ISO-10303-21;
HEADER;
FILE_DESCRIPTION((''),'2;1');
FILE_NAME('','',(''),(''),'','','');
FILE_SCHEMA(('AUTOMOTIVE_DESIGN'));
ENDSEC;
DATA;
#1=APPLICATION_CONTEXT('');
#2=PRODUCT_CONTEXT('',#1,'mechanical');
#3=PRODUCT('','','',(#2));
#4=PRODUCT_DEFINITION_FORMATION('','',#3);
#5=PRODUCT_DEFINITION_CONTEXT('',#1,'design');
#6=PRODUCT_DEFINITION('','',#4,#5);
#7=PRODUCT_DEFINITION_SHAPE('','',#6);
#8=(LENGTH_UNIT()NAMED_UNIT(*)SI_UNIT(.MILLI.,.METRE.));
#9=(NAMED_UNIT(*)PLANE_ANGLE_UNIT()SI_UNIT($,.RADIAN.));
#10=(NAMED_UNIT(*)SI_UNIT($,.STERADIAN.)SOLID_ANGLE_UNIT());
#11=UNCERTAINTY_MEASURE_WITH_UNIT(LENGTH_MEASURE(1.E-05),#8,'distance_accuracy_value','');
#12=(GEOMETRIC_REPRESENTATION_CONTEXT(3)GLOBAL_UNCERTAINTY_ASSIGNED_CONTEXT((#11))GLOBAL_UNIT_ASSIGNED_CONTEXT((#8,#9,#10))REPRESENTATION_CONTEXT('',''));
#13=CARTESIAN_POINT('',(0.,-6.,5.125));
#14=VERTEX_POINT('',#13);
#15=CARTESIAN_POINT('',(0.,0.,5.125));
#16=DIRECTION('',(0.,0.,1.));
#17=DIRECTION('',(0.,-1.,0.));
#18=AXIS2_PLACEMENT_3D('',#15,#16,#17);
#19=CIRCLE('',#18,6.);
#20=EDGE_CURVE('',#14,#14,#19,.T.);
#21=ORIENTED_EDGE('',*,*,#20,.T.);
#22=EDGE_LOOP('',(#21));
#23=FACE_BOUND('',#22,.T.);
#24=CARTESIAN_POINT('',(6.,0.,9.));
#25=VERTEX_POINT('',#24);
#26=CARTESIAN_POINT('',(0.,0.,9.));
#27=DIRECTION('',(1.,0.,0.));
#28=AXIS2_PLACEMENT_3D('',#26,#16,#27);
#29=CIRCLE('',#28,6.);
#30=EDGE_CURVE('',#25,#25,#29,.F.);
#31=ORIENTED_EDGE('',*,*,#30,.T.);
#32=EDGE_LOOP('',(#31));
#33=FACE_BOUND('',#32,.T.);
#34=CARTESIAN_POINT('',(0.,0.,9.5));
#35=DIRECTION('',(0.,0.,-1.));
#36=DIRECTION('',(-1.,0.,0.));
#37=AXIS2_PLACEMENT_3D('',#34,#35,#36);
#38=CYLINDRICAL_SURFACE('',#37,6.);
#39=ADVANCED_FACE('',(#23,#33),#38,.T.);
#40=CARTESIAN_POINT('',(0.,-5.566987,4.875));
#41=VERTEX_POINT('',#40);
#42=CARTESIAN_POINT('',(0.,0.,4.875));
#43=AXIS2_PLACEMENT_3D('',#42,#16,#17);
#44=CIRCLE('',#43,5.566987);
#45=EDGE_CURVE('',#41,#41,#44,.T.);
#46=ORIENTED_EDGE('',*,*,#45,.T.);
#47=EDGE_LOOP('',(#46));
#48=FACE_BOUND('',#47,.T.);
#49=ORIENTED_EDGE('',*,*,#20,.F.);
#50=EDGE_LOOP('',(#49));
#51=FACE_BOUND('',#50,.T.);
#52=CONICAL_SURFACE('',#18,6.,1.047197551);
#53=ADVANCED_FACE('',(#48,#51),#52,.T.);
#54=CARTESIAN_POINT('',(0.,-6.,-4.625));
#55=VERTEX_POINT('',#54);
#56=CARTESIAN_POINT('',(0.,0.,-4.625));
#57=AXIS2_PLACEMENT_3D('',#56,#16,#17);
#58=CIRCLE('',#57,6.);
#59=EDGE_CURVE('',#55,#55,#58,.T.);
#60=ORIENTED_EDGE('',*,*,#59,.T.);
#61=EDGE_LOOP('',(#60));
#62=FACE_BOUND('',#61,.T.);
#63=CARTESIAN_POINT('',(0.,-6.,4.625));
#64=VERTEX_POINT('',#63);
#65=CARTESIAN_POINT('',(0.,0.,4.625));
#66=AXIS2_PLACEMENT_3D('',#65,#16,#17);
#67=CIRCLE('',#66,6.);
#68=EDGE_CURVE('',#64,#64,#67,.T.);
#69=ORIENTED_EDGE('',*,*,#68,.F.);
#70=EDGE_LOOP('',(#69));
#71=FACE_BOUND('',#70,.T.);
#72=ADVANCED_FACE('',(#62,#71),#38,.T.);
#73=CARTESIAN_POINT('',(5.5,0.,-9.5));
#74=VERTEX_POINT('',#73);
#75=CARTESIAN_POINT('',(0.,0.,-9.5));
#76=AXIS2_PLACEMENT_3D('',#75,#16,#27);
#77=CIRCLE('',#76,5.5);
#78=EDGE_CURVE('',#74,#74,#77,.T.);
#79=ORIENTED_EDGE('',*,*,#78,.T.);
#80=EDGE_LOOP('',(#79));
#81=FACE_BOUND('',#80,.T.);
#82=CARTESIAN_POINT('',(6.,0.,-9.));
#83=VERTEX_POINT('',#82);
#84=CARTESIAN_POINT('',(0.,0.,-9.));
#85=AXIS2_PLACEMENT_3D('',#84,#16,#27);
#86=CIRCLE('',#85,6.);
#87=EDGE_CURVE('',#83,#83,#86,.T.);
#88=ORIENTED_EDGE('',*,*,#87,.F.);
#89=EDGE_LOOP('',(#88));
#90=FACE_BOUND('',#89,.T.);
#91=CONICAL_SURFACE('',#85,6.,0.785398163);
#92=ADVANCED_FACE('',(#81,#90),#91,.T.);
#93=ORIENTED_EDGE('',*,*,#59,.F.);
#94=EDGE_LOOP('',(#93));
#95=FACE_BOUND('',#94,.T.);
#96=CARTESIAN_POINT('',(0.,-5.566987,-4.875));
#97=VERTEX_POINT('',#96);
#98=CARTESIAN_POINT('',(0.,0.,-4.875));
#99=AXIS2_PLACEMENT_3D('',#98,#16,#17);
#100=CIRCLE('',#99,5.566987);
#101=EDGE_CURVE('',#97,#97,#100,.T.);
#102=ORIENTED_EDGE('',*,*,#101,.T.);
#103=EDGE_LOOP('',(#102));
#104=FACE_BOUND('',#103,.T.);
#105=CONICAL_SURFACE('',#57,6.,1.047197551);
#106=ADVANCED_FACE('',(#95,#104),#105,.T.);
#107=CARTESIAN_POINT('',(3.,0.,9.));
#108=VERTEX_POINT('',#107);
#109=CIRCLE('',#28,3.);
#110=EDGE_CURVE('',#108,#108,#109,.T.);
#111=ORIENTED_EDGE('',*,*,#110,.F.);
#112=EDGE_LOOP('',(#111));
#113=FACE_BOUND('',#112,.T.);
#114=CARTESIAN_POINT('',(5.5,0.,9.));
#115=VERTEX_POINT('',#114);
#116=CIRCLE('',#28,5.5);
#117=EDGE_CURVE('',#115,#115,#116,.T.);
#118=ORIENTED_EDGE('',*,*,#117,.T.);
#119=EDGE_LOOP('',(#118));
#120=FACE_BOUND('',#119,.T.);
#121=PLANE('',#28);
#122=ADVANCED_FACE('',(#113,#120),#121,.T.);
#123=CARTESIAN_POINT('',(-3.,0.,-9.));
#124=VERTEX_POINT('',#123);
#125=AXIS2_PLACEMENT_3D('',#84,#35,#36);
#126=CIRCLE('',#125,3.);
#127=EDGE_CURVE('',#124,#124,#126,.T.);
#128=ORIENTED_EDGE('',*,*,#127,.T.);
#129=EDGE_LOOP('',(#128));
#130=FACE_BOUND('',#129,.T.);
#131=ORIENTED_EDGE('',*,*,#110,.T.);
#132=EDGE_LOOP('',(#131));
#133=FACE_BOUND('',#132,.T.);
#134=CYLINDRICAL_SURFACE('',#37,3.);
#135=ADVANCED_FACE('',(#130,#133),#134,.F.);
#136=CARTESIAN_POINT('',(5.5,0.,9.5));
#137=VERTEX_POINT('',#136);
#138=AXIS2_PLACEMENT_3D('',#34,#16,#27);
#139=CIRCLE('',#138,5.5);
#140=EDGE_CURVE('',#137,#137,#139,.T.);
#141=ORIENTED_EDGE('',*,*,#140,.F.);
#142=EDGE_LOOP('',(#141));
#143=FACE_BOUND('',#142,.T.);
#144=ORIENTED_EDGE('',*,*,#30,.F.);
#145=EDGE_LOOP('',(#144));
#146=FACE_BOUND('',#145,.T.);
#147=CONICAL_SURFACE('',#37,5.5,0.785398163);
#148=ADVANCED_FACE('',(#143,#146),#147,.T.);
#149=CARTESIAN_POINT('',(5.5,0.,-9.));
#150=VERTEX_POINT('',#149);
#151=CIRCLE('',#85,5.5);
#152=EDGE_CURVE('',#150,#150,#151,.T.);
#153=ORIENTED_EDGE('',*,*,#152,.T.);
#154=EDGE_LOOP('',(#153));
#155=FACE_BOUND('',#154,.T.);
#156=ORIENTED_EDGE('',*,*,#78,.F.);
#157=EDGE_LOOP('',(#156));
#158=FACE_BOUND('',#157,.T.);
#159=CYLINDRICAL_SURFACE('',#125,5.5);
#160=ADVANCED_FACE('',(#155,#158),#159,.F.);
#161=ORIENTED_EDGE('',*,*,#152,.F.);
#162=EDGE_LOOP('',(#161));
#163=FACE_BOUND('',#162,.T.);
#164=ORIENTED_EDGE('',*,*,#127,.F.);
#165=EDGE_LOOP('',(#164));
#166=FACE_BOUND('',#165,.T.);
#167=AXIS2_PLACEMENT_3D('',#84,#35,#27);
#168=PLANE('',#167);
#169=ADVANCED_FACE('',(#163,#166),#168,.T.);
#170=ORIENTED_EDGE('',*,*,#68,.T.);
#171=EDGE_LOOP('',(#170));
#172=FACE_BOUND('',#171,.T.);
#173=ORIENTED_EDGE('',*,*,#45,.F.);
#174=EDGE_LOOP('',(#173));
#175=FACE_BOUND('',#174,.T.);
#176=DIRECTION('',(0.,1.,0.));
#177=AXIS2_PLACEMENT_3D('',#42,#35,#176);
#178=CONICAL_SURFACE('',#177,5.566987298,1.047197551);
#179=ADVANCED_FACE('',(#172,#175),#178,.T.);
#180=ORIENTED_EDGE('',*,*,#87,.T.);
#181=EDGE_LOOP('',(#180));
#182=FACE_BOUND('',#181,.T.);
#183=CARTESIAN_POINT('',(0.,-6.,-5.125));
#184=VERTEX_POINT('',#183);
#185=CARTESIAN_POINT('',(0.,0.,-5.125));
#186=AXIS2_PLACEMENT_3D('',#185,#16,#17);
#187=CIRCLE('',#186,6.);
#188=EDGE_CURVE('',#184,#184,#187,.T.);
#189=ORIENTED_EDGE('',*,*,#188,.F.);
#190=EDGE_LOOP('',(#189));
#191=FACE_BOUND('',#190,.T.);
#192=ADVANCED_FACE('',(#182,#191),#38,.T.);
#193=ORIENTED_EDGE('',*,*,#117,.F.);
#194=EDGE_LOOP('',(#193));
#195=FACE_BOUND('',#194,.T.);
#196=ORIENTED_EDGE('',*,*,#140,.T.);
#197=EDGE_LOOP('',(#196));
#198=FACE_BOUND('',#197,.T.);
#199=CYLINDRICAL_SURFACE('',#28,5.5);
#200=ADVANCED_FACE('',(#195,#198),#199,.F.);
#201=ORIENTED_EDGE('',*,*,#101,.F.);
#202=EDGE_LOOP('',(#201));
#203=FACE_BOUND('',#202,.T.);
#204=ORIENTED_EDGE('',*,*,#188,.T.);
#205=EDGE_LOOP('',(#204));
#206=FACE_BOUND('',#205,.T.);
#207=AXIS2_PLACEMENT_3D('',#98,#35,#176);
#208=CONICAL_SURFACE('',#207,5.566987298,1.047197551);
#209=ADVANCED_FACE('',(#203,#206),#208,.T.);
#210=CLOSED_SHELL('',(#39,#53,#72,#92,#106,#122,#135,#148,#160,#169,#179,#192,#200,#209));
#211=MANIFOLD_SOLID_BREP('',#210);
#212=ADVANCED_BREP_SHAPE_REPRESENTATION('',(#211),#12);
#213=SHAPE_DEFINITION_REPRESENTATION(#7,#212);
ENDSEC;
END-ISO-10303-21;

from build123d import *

# Parameters (mm, degrees)
SKETCH_1_R          = 6
SKETCH_1_R_2        = 3
EXTRUDE_1_DEPTH     = 9.5
CHAMFER_1_SIZE      = 0.5
SKETCH_2_R          = 5.5
CUT_EXTRUDE_1_DEPTH = 0.5


with BuildPart() as part:
    # 스케치1 → 보스-돌출1 (new, symmetric)
    with BuildSketch(Plane.XY):
        Circle(SKETCH_1_R)
        Circle(SKETCH_1_R_2, mode=Mode.SUBTRACT)
    extrude(amount=EXTRUDE_1_DEPTH, both=True)

    # 모따기1
    chamfer_1_edges = [part.edges().sort_by_distance(p)[0] for p in [
        (-6, 0, -9.5),
        (-6, 0, 9.5),
    ]]
    chamfer(chamfer_1_edges, length=CHAMFER_1_SIZE)

    # 스케치2 → 컷-돌출1 (cut)
    with BuildSketch(Plane.XY.offset(9.5)):
        Circle(SKETCH_2_R)
    cut_extrude_1 = extrude(amount=-CUT_EXTRUDE_1_DEPTH, mode=Mode.SUBTRACT)

    # 대칭 복사1: 컷-돌출1 across plane
    add(cut_extrude_1.mirror(Plane.XY), mode=Mode.SUBTRACT)

    # 스케치3 → 컷-회전1 (revolve, cut)
    with BuildSketch(Plane(origin=(0, 0, 0), x_dir=(0, 0, -1), z_dir=(1, 0, 0)), mode=Mode.PRIVATE) as cut_revolve_1_sk:
        Polygon((-4.625, 6), (-5.125, 6), (-4.875, 5.566987298), align=None)
        Polygon((4.625, 6), (5.125, 6), (4.875, 5.566987298), align=None)
    revolve(cut_revolve_1_sk.sketch.rotate(Axis((0, 0, 9), (0, 0, -1)), 180), axis=Axis((0, 0, 9), (0, 0, -1)), mode=Mode.SUBTRACT)


solid = part.part
